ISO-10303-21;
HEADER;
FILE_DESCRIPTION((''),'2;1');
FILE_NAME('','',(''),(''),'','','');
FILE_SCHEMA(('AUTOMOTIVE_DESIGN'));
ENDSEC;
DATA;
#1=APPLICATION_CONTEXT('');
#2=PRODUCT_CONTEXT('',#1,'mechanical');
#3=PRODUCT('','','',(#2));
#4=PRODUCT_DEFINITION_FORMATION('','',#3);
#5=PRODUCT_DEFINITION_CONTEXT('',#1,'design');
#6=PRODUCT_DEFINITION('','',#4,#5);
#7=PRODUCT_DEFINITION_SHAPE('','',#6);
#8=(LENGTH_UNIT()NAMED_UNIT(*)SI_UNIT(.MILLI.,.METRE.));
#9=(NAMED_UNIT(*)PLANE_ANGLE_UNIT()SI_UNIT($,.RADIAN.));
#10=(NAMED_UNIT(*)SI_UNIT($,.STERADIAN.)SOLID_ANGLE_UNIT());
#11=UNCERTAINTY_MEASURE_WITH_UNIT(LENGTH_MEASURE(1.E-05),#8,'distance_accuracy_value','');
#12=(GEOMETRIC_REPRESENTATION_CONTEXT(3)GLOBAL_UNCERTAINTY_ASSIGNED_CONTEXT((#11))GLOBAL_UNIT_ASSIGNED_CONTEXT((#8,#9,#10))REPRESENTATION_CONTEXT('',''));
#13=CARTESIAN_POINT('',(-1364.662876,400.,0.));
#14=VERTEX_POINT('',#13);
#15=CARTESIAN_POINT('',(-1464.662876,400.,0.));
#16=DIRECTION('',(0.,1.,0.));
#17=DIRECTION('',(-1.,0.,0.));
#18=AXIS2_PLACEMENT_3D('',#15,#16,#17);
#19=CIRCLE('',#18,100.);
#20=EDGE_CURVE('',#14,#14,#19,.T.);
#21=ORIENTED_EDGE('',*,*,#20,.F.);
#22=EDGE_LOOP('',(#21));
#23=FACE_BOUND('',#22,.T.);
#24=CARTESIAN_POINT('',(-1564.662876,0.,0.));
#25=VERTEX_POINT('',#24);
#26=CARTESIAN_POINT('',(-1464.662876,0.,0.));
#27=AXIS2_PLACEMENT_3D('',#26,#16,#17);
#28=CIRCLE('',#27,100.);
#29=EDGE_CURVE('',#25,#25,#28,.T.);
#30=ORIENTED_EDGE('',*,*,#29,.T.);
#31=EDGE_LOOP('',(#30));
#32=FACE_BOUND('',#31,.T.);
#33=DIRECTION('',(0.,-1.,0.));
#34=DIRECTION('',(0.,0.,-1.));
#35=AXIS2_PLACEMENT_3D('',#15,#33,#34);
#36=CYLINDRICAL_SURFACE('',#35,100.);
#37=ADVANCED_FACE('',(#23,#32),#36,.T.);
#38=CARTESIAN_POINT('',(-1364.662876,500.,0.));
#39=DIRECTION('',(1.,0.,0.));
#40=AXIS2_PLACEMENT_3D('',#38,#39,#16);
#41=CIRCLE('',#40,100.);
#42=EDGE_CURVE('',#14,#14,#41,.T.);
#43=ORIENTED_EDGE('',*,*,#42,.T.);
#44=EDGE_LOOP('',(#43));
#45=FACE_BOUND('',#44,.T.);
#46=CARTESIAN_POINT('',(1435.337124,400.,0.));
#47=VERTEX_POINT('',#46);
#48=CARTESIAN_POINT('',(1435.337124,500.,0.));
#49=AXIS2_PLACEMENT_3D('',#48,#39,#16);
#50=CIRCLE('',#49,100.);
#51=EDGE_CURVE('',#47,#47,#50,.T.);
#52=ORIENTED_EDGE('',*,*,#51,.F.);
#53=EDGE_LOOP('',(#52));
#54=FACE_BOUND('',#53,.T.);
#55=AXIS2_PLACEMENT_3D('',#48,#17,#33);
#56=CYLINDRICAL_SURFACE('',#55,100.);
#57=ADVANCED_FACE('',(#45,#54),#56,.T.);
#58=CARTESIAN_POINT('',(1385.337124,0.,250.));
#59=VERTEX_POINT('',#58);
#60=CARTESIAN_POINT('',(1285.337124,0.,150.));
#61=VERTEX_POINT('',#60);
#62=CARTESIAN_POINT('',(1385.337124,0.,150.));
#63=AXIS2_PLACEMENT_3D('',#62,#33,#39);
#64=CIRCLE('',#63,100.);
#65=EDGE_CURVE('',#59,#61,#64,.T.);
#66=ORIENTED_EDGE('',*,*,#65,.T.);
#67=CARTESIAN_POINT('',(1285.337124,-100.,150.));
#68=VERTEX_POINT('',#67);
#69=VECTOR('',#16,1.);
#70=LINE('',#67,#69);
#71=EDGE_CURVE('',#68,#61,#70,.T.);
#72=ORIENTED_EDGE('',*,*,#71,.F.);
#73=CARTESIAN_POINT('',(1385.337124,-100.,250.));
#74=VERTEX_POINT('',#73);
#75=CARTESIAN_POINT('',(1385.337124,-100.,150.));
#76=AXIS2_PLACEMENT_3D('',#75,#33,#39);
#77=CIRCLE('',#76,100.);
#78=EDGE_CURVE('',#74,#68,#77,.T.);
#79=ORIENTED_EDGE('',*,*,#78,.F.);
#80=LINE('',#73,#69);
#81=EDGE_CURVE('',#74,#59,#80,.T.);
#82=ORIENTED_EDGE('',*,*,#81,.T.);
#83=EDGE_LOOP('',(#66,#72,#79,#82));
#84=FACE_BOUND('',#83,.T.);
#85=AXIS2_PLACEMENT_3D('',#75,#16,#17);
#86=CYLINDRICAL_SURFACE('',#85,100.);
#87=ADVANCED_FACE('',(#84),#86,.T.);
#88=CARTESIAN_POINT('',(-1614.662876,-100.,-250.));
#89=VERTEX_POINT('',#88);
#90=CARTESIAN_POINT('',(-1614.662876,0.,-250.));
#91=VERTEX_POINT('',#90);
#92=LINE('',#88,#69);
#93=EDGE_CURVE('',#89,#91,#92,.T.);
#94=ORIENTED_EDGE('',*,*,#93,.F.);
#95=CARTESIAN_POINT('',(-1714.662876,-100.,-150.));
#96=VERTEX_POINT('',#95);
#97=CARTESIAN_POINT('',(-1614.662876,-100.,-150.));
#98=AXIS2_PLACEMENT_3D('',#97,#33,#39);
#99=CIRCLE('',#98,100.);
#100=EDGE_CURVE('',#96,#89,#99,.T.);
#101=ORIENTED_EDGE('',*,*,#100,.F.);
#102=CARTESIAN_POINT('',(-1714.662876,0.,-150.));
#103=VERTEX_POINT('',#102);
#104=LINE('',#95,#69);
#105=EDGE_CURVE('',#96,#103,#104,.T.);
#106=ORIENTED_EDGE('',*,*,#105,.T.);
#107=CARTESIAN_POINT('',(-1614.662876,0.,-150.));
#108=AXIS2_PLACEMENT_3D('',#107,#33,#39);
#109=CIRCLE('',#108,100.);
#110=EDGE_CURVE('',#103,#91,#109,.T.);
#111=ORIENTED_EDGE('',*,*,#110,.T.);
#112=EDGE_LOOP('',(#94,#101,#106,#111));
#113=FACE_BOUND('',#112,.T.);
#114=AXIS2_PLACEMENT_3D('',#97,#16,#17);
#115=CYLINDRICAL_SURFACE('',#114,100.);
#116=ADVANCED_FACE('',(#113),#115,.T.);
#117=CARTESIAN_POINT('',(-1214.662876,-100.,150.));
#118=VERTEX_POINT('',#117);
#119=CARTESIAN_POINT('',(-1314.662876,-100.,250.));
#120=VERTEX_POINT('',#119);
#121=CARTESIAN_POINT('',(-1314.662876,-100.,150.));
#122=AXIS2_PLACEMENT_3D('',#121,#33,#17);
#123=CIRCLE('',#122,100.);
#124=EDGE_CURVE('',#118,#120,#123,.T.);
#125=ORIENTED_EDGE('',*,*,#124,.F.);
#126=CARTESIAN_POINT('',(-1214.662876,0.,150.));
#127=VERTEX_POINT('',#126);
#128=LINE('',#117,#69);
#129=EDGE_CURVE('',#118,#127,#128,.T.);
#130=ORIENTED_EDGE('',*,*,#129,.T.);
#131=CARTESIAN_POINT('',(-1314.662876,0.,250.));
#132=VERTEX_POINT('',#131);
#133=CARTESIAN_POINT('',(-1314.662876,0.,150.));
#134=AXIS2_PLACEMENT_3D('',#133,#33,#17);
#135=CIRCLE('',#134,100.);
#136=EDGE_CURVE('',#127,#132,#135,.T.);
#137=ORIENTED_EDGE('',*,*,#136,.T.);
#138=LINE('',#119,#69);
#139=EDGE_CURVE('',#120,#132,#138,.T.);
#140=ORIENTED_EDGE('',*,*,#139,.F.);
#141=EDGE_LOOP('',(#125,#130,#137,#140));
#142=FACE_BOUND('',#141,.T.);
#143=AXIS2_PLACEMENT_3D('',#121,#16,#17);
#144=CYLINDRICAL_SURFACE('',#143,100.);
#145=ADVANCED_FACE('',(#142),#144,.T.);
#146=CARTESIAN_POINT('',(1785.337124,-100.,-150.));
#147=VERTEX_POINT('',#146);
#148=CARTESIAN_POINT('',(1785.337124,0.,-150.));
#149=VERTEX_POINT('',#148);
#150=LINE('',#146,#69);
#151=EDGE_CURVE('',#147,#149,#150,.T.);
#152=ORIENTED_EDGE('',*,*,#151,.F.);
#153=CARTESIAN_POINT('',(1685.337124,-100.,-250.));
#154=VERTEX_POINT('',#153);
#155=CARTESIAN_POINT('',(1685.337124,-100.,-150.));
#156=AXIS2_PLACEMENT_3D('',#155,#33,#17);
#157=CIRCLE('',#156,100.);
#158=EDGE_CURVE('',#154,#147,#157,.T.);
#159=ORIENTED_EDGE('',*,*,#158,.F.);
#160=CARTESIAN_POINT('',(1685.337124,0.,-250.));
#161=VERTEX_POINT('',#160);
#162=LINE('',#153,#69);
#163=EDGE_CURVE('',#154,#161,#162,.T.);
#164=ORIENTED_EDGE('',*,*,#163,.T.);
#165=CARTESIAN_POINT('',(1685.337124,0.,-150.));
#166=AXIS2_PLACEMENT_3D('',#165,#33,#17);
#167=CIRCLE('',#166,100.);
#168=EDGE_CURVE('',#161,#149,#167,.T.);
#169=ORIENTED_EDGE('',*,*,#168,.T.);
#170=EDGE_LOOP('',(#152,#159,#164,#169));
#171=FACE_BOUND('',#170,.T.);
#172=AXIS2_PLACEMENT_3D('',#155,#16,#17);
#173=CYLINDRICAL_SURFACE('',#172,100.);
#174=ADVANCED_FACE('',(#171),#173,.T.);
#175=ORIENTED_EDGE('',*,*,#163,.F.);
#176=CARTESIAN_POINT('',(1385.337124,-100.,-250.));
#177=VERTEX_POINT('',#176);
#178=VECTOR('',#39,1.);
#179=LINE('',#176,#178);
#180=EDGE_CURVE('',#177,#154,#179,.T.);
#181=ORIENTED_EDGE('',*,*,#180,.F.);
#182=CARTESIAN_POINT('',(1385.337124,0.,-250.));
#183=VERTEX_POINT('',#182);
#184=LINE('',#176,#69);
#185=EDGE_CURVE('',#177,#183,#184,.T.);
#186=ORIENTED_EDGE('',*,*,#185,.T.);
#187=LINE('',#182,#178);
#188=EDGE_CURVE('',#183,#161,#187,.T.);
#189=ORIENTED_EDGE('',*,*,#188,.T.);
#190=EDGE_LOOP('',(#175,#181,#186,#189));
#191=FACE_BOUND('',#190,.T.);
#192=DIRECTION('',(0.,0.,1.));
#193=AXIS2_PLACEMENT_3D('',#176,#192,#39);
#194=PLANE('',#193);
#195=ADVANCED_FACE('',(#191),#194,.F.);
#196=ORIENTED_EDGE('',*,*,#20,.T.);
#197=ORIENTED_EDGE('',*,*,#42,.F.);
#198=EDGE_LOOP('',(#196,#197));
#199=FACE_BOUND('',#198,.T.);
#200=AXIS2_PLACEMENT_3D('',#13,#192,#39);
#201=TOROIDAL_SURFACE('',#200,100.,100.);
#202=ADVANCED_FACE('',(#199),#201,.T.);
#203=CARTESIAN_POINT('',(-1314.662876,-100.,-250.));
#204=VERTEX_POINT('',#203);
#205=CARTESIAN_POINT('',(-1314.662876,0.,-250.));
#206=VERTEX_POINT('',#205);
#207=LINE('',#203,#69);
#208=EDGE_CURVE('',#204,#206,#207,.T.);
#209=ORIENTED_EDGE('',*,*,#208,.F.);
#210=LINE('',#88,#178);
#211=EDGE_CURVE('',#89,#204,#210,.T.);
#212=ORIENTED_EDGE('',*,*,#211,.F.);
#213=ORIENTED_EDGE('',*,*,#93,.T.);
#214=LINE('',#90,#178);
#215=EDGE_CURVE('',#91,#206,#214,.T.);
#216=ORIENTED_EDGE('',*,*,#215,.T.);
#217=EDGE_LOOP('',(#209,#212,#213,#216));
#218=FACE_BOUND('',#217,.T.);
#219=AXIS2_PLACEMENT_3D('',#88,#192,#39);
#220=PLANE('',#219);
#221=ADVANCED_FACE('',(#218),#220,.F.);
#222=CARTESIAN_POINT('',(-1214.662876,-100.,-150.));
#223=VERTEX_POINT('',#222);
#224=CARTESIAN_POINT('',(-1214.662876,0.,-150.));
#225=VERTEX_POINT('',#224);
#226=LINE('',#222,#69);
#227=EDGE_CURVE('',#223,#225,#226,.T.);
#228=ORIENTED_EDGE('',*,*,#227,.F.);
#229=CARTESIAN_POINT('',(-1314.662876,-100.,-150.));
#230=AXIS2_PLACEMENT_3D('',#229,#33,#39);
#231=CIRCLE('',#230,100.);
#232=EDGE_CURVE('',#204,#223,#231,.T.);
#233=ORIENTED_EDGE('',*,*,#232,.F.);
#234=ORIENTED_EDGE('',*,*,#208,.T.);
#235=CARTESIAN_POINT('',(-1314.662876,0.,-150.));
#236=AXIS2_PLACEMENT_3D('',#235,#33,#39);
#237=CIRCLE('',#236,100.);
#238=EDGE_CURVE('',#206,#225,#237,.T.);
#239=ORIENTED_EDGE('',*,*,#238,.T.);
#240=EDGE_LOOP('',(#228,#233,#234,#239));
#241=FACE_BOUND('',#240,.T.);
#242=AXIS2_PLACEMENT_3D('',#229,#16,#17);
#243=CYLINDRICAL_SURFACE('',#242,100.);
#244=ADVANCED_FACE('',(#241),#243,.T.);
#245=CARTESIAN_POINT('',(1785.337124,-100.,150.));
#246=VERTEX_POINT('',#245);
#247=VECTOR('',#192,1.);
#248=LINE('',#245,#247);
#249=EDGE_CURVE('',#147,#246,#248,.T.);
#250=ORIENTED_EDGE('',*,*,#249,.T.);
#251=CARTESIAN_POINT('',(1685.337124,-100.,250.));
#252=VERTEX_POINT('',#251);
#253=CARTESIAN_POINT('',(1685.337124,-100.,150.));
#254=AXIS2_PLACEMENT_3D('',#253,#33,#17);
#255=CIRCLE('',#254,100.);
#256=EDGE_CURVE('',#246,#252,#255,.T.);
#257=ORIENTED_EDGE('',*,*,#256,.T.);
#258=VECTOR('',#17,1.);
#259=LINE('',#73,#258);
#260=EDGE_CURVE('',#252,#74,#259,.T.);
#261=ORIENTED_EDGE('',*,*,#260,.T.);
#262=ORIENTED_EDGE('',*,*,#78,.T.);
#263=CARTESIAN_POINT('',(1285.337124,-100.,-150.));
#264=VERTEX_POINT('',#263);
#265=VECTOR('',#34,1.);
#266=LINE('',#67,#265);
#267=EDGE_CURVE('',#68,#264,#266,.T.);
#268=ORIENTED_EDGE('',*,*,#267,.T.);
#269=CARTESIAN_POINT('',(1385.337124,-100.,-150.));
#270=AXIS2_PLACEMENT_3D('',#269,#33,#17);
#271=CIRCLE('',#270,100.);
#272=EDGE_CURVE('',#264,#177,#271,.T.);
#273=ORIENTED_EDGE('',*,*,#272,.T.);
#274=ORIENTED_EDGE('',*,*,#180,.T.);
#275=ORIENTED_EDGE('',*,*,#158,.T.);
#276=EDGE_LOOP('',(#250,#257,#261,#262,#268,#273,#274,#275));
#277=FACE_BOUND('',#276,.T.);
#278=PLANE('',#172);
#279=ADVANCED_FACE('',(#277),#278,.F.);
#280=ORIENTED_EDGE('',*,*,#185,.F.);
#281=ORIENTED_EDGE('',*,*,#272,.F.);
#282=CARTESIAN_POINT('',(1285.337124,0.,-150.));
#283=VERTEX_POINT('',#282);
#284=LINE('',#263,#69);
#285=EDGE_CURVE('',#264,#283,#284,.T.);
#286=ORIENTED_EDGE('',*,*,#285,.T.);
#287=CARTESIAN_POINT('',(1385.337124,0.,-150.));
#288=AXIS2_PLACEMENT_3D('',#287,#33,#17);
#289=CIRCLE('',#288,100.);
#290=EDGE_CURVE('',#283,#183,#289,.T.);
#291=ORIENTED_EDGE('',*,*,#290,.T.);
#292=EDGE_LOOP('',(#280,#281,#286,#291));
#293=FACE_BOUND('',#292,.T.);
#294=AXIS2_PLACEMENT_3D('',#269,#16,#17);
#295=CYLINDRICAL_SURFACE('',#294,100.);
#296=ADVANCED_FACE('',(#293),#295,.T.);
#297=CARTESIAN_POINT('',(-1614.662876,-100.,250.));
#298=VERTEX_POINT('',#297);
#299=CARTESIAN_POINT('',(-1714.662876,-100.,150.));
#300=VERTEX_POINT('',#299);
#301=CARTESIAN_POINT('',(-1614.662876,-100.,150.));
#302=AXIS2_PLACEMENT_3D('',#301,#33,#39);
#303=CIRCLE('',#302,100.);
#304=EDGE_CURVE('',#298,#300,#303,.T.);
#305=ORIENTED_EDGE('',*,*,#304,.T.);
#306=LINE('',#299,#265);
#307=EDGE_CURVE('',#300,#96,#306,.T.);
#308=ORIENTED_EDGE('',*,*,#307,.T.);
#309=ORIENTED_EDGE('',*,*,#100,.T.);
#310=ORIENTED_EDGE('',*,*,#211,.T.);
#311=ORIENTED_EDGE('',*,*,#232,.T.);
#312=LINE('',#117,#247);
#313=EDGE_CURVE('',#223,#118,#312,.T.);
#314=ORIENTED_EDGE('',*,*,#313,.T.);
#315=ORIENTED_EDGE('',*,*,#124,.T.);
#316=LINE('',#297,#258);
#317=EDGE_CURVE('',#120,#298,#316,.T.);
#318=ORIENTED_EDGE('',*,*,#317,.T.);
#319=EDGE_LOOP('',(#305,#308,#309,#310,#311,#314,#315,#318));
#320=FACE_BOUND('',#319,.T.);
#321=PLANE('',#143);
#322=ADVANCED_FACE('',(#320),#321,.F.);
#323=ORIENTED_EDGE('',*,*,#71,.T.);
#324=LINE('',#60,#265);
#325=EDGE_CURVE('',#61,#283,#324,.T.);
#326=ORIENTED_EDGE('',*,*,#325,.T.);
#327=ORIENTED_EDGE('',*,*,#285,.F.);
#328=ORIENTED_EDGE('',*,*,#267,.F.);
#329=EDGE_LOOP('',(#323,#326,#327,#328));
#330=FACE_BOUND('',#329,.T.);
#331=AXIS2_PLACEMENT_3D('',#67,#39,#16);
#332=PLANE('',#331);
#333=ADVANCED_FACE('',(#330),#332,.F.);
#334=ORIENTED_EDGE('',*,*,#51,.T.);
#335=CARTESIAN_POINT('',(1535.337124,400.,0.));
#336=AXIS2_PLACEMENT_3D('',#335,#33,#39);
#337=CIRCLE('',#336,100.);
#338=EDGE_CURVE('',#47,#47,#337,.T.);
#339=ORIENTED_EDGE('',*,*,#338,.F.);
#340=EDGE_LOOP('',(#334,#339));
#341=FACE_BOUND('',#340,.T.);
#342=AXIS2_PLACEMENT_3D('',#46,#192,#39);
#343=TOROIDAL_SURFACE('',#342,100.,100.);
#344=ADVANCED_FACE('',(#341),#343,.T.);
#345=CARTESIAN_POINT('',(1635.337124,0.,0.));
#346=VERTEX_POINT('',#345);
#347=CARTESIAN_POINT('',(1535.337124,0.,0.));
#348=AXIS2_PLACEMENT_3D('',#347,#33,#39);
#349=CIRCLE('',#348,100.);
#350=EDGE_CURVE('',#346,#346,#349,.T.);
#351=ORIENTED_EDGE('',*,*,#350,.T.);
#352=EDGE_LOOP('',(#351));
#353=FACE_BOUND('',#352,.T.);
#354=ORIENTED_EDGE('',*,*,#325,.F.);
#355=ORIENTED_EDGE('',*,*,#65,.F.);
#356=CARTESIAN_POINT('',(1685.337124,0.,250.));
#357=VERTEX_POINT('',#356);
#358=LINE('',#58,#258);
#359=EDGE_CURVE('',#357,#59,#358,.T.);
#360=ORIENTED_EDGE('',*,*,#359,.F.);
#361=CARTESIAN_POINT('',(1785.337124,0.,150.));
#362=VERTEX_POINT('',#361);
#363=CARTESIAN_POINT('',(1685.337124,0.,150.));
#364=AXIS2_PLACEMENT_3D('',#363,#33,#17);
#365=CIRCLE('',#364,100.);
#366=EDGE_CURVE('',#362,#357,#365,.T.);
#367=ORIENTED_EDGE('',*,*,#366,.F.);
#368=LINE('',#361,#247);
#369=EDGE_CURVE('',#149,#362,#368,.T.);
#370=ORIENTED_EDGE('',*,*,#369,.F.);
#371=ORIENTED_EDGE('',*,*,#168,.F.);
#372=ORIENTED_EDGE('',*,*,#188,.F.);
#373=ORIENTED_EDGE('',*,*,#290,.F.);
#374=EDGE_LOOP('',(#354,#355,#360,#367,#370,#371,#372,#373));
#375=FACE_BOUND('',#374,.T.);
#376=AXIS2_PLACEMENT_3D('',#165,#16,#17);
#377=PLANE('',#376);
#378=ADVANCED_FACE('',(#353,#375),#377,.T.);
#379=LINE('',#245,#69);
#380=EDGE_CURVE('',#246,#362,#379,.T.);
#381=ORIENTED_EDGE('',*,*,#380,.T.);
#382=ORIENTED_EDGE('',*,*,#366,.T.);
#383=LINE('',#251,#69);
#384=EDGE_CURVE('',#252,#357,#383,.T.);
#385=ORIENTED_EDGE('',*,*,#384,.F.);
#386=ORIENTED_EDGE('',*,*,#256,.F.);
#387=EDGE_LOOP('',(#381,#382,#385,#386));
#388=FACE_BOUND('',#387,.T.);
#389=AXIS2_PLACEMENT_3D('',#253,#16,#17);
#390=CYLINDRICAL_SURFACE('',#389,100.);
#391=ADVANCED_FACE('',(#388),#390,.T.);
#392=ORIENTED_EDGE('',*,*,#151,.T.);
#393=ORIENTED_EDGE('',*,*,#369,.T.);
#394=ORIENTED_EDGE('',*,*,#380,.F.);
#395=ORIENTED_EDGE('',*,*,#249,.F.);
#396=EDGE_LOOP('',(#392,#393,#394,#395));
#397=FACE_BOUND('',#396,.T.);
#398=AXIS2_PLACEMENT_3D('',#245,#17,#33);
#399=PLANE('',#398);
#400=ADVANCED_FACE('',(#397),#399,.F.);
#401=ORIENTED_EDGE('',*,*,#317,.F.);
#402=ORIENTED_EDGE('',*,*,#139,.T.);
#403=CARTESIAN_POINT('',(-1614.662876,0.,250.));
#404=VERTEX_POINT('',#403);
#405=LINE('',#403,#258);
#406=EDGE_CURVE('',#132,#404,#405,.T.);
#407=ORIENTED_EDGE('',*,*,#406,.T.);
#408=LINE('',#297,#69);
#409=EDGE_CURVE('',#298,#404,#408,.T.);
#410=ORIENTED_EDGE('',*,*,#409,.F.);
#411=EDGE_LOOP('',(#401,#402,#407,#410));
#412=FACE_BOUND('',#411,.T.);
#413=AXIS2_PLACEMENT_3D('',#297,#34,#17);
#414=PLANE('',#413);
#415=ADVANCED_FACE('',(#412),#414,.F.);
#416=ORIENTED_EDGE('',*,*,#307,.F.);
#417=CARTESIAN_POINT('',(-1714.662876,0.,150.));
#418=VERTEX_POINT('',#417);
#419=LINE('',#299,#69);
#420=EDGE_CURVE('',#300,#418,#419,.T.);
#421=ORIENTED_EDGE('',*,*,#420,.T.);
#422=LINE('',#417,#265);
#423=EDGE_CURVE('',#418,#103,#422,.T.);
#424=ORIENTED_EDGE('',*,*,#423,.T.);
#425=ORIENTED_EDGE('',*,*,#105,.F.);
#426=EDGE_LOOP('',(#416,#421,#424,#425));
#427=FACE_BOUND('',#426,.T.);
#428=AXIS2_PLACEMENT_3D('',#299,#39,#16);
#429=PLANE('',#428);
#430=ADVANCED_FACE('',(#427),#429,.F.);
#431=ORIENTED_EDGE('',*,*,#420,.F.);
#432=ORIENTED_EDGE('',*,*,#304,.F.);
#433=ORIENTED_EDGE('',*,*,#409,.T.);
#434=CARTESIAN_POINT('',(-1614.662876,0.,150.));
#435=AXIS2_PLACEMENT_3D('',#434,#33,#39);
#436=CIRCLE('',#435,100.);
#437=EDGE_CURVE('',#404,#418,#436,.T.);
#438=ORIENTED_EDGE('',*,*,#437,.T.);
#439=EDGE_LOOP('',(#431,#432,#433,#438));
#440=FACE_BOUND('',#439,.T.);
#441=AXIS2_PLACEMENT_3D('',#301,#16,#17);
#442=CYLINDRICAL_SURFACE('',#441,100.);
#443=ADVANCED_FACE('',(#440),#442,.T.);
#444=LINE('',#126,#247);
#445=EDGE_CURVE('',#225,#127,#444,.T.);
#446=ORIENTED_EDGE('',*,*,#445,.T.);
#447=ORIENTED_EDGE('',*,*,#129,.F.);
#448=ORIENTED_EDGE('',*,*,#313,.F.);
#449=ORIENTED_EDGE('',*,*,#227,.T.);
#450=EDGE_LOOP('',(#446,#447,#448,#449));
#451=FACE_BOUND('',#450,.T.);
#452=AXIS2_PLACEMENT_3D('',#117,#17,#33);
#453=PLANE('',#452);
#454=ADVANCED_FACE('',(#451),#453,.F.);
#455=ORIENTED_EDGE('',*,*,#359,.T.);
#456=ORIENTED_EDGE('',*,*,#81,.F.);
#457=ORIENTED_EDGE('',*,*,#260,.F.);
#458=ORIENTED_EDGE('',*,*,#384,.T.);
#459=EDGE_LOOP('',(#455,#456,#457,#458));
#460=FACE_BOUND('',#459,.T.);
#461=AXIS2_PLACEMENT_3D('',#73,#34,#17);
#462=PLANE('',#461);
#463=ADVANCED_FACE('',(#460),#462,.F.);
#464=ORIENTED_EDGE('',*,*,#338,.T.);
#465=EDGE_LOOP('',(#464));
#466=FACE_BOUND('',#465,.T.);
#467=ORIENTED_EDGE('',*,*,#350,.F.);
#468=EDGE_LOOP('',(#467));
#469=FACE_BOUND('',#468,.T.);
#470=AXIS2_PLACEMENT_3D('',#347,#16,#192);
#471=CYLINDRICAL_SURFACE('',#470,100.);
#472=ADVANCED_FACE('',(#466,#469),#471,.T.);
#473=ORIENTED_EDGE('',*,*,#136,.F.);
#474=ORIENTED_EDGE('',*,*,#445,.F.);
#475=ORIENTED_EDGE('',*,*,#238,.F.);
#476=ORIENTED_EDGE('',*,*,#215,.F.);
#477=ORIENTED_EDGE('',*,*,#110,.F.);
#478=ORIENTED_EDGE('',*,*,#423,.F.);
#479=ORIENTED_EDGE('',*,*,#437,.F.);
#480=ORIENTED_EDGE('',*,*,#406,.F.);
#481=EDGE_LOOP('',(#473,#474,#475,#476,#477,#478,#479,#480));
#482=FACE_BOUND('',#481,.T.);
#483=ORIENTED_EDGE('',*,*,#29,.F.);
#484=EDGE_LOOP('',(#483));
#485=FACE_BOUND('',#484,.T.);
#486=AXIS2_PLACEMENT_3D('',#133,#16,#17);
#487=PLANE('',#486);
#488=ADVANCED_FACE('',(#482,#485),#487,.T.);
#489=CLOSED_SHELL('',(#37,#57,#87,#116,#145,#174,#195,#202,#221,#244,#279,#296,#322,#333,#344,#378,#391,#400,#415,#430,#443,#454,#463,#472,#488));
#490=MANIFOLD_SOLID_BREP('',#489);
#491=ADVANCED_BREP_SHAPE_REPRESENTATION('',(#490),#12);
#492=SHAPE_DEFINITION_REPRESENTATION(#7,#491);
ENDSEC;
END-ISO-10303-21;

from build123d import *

# Parameters (mm, degrees)
SWEEP1_PROFILE_R    = 100
BOSS_EXTRUDE1_DEPTH = 100


with BuildPart() as part:
    # Sweep1: sweep along a path in Sketch1
    with BuildLine(Plane.XY) as sweep1_path:
        Line((1535.337124289, 0), (1535.337124289, 400))
        ThreePointArc((1535.337124289, 400), (1506.047802408, 470.710678119), (1435.337124289, 500))
        Line((1435.337124289, 500), (-1364.662875711, 500))
        ThreePointArc((-1364.662875711, 500), (-1435.373553829, 470.710678119), (-1464.662875711, 400))
        Line((-1464.662875711, 400), (-1464.662875711, 0))
    # Sweep1 profile (on start of the path) → Sweep1 (sweep)
    with BuildSketch(Plane(origin=(1535.337124289, 0, 0), x_dir=(0, 0, 1), z_dir=(0, 1, 0))):
        Circle(SWEEP1_PROFILE_R)
    sweep(path=sweep1_path.line)

    # Sketch79 → Boss-Extrude1 (add)
    with BuildSketch(Plane.XZ):
        with BuildLine():
            Line((-1614.662875711, 250), (-1314.662875711, 250))
            ThreePointArc((-1314.662875711, 250), (-1243.952197592, 220.710678119), (-1214.662875711, 150))
            Line((-1214.662875711, 150), (-1214.662875711, -150))
            ThreePointArc((-1214.662875711, -150), (-1243.952197592, -220.710678119), (-1314.662875711, -250))
            Line((-1314.662875711, -250), (-1614.662875711, -250))
            ThreePointArc((-1614.662875711, -250), (-1685.373553829, -220.710678119), (-1714.662875711, -150))
            Line((-1714.662875711, -150), (-1714.662875711, 150))
            ThreePointArc((-1714.662875711, 150), (-1685.373553829, 220.710678119), (-1614.662875711, 250))
        make_face()
        with BuildLine():
            Line((1385.337124289, 250), (1685.337124289, 250))
            ThreePointArc((1685.337124289, 250), (1756.047802408, 220.710678119), (1785.337124289, 150))
            Line((1785.337124289, 150), (1785.337124289, -150))
            ThreePointArc((1785.337124289, -150), (1756.047802408, -220.710678119), (1685.337124289, -250))
            Line((1685.337124289, -250), (1385.337124289, -250))
            ThreePointArc((1385.337124289, -250), (1314.626446171, -220.710678119), (1285.337124289, -150))
            Line((1285.337124289, -150), (1285.337124289, 150))
            ThreePointArc((1285.337124289, 150), (1314.626446171, 220.710678119), (1385.337124289, 250))
        make_face()
    extrude(amount=BOSS_EXTRUDE1_DEPTH)


solid = part.part
